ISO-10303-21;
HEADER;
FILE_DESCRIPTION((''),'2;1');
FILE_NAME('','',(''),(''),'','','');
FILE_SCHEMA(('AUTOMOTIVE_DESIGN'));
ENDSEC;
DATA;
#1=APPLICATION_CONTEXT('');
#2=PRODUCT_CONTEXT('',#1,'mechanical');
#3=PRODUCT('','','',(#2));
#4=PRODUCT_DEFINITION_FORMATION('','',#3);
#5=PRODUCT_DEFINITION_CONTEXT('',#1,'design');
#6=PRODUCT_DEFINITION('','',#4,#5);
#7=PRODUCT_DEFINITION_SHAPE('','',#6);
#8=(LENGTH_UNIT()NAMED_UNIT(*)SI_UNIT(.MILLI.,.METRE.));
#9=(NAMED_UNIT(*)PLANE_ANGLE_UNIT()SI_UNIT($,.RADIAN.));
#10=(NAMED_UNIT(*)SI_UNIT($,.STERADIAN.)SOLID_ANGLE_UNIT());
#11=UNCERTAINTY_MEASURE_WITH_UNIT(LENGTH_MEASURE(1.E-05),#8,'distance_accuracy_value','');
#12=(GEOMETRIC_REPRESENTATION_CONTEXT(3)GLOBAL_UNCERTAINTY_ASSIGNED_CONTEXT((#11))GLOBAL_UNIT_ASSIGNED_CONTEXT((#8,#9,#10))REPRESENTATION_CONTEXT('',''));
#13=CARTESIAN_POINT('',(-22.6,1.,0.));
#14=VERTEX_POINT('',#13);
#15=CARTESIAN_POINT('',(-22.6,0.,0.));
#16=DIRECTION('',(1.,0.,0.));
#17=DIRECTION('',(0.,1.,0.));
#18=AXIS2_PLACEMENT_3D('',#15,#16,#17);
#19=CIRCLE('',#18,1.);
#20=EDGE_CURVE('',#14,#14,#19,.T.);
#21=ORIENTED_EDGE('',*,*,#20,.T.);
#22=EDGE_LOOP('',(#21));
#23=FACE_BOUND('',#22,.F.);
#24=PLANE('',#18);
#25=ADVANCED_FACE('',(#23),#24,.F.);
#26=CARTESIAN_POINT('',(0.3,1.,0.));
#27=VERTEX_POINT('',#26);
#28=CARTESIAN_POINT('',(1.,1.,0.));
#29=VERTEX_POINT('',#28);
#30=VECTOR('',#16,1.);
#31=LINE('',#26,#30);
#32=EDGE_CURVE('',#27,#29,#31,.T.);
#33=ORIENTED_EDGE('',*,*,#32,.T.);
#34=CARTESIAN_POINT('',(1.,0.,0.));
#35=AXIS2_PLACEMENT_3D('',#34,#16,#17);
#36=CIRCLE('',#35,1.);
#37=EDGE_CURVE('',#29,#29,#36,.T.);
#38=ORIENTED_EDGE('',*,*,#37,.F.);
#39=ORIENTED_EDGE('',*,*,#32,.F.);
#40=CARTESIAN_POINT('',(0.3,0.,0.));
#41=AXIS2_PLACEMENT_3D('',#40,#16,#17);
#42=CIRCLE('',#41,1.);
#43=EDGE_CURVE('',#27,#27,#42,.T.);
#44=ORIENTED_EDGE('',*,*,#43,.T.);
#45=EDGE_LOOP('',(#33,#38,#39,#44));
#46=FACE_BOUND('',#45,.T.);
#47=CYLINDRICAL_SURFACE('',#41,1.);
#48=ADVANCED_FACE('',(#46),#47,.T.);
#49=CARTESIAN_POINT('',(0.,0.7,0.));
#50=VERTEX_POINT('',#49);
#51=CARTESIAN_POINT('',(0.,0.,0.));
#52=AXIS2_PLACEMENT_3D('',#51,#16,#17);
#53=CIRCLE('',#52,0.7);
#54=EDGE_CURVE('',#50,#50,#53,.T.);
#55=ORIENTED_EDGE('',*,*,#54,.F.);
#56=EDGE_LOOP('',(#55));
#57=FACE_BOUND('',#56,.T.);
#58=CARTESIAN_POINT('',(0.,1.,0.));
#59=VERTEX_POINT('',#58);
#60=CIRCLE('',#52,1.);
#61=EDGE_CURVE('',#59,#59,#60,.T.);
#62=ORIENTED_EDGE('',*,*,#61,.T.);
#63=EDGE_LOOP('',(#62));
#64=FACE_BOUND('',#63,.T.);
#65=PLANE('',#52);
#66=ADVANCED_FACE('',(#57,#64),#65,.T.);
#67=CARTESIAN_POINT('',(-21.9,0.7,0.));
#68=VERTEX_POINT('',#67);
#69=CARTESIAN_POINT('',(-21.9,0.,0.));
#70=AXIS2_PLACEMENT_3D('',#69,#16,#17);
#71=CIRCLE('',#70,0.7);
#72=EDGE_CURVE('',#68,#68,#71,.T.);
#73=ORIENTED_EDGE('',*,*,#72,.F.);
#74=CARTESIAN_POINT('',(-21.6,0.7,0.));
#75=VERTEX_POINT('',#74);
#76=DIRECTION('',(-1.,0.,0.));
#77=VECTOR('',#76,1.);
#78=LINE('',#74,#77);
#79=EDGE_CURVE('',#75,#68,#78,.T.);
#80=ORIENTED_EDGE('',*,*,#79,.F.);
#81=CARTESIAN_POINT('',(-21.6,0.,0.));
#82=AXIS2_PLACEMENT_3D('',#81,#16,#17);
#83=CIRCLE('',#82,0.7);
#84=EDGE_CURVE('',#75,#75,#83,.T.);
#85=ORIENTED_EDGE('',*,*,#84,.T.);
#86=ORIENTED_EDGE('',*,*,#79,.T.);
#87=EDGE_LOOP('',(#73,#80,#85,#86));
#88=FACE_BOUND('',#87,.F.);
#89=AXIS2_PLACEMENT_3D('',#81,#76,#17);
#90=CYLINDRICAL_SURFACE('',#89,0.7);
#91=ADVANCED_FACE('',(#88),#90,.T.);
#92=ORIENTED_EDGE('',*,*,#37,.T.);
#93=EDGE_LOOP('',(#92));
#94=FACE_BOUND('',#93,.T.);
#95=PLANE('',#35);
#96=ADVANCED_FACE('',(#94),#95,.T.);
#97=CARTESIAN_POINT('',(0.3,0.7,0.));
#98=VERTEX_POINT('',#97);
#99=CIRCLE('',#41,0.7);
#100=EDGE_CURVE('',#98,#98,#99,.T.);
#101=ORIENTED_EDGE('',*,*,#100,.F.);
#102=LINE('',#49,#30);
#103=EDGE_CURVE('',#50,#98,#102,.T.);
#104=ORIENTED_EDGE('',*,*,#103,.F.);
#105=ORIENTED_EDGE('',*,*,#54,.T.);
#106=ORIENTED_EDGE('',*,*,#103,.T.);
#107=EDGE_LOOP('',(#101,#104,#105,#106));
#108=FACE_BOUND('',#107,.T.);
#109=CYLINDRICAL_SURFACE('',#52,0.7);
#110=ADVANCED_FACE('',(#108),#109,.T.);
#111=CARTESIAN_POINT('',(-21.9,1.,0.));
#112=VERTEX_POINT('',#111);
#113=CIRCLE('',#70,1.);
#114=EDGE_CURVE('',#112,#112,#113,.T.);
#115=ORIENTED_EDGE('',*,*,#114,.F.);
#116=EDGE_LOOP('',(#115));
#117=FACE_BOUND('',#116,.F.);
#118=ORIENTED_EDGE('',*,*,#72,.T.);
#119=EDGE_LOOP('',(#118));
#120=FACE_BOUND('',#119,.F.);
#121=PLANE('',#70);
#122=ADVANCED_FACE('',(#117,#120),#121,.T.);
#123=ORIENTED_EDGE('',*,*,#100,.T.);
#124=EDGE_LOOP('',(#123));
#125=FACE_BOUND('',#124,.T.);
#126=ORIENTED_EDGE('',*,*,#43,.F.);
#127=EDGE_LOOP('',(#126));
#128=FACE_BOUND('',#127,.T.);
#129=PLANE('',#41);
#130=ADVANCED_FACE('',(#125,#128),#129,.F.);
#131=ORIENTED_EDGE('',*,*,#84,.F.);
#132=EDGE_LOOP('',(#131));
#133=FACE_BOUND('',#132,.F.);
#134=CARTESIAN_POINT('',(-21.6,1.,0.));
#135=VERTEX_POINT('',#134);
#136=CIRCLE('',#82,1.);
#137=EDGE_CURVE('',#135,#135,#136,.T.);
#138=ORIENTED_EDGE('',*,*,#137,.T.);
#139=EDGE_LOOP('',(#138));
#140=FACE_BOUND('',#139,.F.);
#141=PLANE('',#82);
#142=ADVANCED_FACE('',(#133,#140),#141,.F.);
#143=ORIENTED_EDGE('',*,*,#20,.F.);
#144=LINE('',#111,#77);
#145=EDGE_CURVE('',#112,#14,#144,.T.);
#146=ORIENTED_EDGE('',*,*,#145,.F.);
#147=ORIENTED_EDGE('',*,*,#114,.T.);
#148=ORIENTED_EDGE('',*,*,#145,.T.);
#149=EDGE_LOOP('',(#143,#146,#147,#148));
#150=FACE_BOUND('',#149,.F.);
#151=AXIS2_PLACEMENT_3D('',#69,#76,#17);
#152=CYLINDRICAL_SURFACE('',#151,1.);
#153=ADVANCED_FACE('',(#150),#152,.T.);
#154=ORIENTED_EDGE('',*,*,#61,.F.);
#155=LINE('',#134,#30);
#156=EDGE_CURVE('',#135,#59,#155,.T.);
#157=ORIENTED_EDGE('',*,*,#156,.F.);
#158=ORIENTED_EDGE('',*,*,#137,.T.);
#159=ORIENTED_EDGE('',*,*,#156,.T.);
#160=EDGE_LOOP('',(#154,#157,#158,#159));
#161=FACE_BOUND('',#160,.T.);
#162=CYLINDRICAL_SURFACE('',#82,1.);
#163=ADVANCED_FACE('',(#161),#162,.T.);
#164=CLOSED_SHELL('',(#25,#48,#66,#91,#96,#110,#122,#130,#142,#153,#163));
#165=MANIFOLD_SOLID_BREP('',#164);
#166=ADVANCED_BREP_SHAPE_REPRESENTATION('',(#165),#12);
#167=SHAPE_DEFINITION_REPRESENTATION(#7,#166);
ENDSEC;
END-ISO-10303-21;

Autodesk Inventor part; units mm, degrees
ref_plane "YZ Plane" through (0, 0, 0) normal (1, 0, 0) x (0, 1, 0)
ref_plane "XZ Plane" through (0, 0, 0) normal (0, 1, 0) x (-1, 0, 0)
ref_plane "XY Plane" through (0, 0, 0) normal (0, 0, 1) x (1, 0, 0)
sketch "Sketch1" plane through (0, 0, 0) normal (0, 0, 1) x (1, 0, 0)
  line L0 (-21.6, 1) -> (0, 1)
  line L1 (0, 0) -> (0, 10.9873) construction
  line L2 (-21.9, 1) -> (-21.9, 1)
  line L3 (-21.9, 1) -> (-22.6, 1)
  line L4 (-22.6, 1) -> (-22.6, 0)
  line L5 (-22.6, 0) -> (1, 0)
  line L6 (0, 1) -> (0, 0.7)
  line L7 (0, 0.7) -> (0.3, 0.7)
  line L8 (0.3, 0.7) -> (0.3, 1)
  line L9 (0.3, 1) -> (1, 1)
  line L10 (1, 1) -> (1, 0)
  line L11 (1, 0) -> (0, 0)
  line L12 (-21.6, 1) -> (-21.6, 0.7)
  line L13 (-21.6, 0.7) -> (-21.9, 0.7)
  line L14 (-21.9, 0.7) -> (-21.9, 1)
  dimension "d7" = 0.3
  dimension "d8" = 0.3
  dimension "d9" = 1
  dimension "d12" = 2
  dimension "d13" = 21.6
  dimension "d14" = 0.3
  dimension "d15" = 1
revolve "Revolution1" add sketch "Sketch1" angle 360 about axis through (-22.6, 0, 0) along (1, 0, 0)
equation "\"d14\" = d7"
equation "\"d15\" = d9"
equation "\"finger_inner_width\" = 14"
properties part number "phalanx_1_mcp_tendon_shaft"
